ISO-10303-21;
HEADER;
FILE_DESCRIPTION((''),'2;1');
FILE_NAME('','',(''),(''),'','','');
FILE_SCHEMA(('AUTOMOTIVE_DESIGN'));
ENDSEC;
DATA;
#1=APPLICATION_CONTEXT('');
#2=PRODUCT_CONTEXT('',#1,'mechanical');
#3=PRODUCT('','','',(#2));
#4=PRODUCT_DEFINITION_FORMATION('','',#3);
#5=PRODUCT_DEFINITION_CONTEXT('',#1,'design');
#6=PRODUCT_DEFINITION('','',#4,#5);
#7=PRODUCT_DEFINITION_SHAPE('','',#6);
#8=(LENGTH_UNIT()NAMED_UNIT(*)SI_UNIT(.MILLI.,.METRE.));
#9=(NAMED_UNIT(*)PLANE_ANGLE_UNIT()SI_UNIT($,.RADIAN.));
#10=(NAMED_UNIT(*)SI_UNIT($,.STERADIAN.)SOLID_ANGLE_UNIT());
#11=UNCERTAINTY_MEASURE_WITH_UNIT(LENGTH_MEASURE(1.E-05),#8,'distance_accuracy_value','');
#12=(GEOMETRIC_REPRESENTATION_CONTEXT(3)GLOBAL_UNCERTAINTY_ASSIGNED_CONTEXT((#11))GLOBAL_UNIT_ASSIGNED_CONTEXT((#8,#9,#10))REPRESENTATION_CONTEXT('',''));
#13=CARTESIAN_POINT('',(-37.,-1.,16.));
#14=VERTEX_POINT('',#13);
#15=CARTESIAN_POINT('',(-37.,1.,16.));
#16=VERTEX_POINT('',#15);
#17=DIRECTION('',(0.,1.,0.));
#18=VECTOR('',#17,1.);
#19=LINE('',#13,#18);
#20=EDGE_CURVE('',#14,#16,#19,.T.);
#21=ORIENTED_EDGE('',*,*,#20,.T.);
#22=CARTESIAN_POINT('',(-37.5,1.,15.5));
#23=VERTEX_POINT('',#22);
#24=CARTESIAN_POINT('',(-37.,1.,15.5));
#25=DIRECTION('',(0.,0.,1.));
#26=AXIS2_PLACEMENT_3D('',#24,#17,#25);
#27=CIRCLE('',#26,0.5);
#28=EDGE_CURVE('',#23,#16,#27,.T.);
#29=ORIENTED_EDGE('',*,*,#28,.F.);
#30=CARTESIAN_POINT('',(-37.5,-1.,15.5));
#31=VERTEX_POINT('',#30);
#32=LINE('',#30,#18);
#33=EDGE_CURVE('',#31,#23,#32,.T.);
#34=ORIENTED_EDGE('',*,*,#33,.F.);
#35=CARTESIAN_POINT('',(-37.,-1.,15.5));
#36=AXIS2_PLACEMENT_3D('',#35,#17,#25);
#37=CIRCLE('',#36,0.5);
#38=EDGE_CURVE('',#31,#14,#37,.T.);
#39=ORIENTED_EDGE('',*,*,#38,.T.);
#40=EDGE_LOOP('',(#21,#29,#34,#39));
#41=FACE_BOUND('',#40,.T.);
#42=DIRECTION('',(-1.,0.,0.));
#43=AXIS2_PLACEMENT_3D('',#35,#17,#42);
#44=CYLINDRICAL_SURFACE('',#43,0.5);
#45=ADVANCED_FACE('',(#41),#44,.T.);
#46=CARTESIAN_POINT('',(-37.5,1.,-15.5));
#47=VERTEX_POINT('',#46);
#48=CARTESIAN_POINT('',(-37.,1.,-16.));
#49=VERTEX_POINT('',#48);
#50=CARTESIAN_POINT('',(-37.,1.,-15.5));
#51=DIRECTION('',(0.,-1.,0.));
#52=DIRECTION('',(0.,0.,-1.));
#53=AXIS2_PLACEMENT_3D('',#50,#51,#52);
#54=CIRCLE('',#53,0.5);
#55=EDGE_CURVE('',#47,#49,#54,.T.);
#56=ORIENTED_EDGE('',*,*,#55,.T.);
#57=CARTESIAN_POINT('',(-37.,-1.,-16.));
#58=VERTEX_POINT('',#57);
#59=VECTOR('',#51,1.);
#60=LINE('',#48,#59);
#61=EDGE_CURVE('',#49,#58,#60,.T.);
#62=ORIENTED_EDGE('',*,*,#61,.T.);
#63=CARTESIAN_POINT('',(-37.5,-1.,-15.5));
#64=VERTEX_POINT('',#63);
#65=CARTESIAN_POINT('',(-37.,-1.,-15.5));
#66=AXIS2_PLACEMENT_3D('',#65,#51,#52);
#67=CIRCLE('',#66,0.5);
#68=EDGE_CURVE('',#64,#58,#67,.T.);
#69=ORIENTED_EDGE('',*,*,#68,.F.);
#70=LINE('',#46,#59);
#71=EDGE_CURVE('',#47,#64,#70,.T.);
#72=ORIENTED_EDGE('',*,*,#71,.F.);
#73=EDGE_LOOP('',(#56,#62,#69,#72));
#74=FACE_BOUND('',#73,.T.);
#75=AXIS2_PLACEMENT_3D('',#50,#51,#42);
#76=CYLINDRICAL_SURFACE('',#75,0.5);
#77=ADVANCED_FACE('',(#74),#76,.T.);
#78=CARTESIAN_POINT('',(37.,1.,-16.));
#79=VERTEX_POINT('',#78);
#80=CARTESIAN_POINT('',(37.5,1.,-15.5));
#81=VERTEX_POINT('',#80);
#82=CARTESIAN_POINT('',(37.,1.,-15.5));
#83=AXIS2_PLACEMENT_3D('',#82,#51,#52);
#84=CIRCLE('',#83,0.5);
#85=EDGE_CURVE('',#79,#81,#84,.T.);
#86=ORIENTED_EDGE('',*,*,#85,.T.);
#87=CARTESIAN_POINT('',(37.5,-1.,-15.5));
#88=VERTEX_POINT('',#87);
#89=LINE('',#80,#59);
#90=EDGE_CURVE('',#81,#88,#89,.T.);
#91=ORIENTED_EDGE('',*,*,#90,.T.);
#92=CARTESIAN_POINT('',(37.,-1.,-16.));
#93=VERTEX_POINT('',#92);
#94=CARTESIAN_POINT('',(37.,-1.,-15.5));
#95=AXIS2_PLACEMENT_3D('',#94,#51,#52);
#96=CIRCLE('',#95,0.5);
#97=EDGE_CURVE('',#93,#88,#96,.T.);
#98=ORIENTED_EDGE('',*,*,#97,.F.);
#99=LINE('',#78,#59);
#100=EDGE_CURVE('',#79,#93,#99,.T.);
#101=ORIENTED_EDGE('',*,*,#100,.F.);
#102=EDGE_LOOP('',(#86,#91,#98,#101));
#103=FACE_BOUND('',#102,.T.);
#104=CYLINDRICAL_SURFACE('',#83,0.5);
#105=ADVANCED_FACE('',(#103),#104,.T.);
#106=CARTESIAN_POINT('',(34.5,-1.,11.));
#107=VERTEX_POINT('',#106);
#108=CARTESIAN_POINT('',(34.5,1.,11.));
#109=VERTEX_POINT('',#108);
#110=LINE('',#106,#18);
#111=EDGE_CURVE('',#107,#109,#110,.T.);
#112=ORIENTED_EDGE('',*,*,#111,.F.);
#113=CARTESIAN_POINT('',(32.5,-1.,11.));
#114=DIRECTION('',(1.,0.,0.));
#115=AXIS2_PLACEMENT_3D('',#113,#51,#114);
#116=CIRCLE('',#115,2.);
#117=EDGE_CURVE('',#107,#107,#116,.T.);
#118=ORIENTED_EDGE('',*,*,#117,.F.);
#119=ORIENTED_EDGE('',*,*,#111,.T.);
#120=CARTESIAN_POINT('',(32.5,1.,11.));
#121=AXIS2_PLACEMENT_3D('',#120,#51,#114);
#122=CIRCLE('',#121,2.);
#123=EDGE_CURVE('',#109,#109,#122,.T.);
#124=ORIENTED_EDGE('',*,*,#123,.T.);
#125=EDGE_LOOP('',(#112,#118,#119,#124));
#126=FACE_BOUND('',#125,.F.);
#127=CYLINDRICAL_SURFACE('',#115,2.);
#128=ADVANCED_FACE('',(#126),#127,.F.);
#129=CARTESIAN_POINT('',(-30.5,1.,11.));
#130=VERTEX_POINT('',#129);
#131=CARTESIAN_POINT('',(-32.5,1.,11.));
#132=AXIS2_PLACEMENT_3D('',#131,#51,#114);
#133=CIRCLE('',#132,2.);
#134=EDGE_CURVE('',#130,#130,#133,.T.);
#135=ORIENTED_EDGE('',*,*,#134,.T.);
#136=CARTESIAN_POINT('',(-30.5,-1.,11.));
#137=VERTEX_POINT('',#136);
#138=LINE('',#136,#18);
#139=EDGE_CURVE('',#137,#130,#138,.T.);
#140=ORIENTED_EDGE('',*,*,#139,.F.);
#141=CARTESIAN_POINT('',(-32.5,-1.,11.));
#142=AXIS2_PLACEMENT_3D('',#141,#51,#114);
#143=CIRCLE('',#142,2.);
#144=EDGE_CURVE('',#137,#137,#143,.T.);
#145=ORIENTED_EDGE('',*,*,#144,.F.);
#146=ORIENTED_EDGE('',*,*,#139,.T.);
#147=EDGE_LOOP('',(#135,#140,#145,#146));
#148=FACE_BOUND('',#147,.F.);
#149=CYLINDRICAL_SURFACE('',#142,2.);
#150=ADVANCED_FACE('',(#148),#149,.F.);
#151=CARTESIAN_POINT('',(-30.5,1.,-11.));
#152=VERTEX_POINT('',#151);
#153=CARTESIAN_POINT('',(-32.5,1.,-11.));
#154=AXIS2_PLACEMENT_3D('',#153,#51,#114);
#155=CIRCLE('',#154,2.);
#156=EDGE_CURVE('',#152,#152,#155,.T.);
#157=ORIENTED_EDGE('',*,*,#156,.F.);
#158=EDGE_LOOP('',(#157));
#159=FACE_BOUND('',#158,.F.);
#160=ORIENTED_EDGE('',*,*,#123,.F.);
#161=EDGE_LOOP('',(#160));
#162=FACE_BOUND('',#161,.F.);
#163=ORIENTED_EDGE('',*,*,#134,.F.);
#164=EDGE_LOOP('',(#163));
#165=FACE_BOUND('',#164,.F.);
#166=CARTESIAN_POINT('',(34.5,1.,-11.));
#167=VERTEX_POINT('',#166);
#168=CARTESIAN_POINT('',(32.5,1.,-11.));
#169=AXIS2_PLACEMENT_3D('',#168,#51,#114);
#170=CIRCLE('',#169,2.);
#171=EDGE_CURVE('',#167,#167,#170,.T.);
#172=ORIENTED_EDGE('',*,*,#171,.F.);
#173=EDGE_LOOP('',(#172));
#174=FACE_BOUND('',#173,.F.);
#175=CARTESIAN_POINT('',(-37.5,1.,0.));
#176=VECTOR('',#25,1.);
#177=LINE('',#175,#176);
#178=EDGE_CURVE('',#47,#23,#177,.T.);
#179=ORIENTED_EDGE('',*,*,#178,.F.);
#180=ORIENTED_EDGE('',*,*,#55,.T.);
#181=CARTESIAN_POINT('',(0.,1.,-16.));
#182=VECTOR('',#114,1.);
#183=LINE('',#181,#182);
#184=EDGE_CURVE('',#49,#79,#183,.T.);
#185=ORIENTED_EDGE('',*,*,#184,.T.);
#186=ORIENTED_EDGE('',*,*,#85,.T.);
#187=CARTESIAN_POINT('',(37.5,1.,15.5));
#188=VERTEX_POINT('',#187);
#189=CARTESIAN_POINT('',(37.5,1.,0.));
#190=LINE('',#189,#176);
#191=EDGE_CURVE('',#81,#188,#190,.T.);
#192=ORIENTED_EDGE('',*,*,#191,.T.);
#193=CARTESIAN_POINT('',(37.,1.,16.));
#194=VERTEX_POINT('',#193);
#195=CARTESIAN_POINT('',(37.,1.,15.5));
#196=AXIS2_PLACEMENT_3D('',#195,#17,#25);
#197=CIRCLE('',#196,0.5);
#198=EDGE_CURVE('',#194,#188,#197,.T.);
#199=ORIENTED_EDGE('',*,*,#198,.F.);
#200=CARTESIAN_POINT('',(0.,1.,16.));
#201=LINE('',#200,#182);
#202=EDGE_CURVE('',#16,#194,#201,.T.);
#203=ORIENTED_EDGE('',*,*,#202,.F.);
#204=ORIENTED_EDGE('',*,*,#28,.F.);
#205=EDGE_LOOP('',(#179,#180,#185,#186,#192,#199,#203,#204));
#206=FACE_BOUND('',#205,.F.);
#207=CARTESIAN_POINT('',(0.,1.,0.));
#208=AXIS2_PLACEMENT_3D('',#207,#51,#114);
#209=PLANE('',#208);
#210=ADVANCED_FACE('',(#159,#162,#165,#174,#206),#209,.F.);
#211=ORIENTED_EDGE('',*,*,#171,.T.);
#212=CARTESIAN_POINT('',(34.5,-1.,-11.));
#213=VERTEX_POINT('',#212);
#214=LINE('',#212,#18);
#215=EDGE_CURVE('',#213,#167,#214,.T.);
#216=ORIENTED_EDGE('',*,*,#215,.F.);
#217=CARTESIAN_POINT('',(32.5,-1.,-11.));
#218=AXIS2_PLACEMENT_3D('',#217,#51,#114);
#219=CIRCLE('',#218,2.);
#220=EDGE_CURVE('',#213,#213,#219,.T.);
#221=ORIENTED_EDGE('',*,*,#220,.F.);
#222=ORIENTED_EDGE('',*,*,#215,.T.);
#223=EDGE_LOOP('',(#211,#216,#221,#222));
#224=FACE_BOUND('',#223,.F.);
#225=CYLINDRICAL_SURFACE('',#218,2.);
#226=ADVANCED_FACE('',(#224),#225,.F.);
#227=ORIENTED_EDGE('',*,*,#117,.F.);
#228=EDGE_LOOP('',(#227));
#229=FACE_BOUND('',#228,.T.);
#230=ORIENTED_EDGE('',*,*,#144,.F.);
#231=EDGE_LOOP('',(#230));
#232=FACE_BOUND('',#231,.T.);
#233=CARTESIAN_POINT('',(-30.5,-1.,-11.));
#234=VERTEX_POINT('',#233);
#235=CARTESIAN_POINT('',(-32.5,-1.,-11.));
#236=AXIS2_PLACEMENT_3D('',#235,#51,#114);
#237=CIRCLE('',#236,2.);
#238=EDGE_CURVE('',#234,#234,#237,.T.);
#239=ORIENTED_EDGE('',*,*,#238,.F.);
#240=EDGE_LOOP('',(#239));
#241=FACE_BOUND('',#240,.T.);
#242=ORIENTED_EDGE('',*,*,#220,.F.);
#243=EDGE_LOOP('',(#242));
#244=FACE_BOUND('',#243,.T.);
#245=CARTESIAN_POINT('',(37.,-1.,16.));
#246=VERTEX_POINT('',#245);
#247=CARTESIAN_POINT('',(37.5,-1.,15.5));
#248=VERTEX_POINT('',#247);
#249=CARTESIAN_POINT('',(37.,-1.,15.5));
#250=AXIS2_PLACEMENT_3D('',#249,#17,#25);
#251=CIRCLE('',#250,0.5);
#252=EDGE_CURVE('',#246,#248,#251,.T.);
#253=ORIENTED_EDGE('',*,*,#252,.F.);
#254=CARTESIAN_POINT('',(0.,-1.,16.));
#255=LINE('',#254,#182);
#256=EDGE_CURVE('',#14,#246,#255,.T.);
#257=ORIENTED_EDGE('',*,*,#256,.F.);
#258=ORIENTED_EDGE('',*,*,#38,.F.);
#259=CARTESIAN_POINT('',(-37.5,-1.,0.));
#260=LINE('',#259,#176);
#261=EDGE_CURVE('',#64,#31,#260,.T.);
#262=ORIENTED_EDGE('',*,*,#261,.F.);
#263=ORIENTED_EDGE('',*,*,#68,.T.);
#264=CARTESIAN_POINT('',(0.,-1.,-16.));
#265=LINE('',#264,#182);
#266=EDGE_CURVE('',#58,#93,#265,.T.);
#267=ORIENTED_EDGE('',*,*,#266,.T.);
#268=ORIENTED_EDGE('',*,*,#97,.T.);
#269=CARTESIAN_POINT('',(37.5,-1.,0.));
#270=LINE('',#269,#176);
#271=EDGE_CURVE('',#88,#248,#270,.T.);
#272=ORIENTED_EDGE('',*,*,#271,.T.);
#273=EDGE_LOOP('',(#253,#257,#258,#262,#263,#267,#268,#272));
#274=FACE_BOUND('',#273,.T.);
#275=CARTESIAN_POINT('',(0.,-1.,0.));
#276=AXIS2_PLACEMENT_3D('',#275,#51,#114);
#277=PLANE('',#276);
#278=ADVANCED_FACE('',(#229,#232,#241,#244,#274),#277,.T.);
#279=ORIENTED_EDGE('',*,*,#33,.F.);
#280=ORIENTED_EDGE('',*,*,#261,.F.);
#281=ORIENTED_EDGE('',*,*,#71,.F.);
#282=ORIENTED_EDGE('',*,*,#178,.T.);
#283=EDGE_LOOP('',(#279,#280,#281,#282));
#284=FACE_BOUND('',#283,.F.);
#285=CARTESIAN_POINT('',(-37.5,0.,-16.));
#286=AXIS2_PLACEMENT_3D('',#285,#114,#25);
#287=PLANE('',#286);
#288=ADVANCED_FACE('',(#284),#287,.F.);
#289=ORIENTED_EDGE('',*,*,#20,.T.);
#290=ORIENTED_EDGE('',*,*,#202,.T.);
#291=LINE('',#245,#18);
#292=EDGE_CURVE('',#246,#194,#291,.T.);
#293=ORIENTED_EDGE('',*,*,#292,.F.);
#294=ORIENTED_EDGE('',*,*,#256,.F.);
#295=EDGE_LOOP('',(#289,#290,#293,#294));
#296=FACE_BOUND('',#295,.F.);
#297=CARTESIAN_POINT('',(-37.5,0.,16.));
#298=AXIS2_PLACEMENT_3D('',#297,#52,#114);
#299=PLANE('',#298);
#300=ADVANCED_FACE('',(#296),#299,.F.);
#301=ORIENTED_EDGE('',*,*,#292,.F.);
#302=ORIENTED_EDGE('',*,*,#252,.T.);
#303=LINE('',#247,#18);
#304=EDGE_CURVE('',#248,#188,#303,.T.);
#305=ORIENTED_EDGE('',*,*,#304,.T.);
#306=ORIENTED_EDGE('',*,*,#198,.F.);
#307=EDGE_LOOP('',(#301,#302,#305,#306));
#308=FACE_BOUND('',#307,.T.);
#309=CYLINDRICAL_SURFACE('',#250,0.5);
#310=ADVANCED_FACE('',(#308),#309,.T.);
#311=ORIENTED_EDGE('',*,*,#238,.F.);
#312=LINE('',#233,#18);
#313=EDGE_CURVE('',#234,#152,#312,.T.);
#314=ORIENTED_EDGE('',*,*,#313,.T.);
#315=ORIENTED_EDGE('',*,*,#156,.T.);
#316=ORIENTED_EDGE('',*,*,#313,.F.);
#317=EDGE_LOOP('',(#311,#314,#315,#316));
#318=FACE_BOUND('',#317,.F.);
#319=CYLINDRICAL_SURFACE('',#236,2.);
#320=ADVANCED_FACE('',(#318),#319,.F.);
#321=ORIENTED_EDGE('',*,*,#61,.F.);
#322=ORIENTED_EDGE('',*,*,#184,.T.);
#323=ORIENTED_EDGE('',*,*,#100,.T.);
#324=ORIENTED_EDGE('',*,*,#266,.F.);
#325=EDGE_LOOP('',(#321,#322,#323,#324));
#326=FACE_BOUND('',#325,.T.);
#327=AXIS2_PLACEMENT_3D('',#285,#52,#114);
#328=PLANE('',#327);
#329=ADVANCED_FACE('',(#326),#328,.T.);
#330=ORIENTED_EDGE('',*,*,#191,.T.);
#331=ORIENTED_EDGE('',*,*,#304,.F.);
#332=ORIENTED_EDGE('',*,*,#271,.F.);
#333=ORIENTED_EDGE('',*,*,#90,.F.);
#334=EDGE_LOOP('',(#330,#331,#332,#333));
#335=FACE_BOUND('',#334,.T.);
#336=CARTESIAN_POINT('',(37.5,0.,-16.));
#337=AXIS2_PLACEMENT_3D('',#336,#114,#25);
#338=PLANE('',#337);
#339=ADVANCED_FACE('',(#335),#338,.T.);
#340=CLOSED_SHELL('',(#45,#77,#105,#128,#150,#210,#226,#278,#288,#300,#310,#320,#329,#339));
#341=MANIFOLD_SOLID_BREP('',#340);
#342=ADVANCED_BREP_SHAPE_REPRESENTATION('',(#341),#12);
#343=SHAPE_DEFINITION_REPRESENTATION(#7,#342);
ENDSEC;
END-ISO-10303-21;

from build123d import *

# Parameters (mm, degrees)
F0_W     = 75
F0_H     = 32
F1_DEPTH = 1
F2_R     = 2
F3_DEPTH = 25.4
F4_R     = 0.5


with BuildPart() as f1:
    # F0 (on Front) → F1 (new body, symmetric)
    with BuildSketch(Plane.XZ):
        Rectangle(F0_W, F0_H)
    extrude(amount=F1_DEPTH, both=True)

    # F2 (on face) → F3 (cut)
    with BuildSketch(Plane.XZ.offset(1)):
        with Locations((-32.5, 11)):
            Circle(F2_R)
        with Locations((-32.5, -11)):
            Circle(F2_R)
        with Locations((32.5, -11)):
            Circle(F2_R)
        with Locations((32.5, 11)):
            Circle(F2_R)
    extrude(amount=-F3_DEPTH, mode=Mode.SUBTRACT)

    # F4
    f4_edges = [f1.edges().sort_by_distance(p)[0] for p in [
        (37.5, 0, 16),
        (37.5, 0, -16),
        (-37.5, 0, 16),
        (-37.5, 0, -16),
    ]]
    fillet(f4_edges, radius=F4_R)


solid = f1.part
